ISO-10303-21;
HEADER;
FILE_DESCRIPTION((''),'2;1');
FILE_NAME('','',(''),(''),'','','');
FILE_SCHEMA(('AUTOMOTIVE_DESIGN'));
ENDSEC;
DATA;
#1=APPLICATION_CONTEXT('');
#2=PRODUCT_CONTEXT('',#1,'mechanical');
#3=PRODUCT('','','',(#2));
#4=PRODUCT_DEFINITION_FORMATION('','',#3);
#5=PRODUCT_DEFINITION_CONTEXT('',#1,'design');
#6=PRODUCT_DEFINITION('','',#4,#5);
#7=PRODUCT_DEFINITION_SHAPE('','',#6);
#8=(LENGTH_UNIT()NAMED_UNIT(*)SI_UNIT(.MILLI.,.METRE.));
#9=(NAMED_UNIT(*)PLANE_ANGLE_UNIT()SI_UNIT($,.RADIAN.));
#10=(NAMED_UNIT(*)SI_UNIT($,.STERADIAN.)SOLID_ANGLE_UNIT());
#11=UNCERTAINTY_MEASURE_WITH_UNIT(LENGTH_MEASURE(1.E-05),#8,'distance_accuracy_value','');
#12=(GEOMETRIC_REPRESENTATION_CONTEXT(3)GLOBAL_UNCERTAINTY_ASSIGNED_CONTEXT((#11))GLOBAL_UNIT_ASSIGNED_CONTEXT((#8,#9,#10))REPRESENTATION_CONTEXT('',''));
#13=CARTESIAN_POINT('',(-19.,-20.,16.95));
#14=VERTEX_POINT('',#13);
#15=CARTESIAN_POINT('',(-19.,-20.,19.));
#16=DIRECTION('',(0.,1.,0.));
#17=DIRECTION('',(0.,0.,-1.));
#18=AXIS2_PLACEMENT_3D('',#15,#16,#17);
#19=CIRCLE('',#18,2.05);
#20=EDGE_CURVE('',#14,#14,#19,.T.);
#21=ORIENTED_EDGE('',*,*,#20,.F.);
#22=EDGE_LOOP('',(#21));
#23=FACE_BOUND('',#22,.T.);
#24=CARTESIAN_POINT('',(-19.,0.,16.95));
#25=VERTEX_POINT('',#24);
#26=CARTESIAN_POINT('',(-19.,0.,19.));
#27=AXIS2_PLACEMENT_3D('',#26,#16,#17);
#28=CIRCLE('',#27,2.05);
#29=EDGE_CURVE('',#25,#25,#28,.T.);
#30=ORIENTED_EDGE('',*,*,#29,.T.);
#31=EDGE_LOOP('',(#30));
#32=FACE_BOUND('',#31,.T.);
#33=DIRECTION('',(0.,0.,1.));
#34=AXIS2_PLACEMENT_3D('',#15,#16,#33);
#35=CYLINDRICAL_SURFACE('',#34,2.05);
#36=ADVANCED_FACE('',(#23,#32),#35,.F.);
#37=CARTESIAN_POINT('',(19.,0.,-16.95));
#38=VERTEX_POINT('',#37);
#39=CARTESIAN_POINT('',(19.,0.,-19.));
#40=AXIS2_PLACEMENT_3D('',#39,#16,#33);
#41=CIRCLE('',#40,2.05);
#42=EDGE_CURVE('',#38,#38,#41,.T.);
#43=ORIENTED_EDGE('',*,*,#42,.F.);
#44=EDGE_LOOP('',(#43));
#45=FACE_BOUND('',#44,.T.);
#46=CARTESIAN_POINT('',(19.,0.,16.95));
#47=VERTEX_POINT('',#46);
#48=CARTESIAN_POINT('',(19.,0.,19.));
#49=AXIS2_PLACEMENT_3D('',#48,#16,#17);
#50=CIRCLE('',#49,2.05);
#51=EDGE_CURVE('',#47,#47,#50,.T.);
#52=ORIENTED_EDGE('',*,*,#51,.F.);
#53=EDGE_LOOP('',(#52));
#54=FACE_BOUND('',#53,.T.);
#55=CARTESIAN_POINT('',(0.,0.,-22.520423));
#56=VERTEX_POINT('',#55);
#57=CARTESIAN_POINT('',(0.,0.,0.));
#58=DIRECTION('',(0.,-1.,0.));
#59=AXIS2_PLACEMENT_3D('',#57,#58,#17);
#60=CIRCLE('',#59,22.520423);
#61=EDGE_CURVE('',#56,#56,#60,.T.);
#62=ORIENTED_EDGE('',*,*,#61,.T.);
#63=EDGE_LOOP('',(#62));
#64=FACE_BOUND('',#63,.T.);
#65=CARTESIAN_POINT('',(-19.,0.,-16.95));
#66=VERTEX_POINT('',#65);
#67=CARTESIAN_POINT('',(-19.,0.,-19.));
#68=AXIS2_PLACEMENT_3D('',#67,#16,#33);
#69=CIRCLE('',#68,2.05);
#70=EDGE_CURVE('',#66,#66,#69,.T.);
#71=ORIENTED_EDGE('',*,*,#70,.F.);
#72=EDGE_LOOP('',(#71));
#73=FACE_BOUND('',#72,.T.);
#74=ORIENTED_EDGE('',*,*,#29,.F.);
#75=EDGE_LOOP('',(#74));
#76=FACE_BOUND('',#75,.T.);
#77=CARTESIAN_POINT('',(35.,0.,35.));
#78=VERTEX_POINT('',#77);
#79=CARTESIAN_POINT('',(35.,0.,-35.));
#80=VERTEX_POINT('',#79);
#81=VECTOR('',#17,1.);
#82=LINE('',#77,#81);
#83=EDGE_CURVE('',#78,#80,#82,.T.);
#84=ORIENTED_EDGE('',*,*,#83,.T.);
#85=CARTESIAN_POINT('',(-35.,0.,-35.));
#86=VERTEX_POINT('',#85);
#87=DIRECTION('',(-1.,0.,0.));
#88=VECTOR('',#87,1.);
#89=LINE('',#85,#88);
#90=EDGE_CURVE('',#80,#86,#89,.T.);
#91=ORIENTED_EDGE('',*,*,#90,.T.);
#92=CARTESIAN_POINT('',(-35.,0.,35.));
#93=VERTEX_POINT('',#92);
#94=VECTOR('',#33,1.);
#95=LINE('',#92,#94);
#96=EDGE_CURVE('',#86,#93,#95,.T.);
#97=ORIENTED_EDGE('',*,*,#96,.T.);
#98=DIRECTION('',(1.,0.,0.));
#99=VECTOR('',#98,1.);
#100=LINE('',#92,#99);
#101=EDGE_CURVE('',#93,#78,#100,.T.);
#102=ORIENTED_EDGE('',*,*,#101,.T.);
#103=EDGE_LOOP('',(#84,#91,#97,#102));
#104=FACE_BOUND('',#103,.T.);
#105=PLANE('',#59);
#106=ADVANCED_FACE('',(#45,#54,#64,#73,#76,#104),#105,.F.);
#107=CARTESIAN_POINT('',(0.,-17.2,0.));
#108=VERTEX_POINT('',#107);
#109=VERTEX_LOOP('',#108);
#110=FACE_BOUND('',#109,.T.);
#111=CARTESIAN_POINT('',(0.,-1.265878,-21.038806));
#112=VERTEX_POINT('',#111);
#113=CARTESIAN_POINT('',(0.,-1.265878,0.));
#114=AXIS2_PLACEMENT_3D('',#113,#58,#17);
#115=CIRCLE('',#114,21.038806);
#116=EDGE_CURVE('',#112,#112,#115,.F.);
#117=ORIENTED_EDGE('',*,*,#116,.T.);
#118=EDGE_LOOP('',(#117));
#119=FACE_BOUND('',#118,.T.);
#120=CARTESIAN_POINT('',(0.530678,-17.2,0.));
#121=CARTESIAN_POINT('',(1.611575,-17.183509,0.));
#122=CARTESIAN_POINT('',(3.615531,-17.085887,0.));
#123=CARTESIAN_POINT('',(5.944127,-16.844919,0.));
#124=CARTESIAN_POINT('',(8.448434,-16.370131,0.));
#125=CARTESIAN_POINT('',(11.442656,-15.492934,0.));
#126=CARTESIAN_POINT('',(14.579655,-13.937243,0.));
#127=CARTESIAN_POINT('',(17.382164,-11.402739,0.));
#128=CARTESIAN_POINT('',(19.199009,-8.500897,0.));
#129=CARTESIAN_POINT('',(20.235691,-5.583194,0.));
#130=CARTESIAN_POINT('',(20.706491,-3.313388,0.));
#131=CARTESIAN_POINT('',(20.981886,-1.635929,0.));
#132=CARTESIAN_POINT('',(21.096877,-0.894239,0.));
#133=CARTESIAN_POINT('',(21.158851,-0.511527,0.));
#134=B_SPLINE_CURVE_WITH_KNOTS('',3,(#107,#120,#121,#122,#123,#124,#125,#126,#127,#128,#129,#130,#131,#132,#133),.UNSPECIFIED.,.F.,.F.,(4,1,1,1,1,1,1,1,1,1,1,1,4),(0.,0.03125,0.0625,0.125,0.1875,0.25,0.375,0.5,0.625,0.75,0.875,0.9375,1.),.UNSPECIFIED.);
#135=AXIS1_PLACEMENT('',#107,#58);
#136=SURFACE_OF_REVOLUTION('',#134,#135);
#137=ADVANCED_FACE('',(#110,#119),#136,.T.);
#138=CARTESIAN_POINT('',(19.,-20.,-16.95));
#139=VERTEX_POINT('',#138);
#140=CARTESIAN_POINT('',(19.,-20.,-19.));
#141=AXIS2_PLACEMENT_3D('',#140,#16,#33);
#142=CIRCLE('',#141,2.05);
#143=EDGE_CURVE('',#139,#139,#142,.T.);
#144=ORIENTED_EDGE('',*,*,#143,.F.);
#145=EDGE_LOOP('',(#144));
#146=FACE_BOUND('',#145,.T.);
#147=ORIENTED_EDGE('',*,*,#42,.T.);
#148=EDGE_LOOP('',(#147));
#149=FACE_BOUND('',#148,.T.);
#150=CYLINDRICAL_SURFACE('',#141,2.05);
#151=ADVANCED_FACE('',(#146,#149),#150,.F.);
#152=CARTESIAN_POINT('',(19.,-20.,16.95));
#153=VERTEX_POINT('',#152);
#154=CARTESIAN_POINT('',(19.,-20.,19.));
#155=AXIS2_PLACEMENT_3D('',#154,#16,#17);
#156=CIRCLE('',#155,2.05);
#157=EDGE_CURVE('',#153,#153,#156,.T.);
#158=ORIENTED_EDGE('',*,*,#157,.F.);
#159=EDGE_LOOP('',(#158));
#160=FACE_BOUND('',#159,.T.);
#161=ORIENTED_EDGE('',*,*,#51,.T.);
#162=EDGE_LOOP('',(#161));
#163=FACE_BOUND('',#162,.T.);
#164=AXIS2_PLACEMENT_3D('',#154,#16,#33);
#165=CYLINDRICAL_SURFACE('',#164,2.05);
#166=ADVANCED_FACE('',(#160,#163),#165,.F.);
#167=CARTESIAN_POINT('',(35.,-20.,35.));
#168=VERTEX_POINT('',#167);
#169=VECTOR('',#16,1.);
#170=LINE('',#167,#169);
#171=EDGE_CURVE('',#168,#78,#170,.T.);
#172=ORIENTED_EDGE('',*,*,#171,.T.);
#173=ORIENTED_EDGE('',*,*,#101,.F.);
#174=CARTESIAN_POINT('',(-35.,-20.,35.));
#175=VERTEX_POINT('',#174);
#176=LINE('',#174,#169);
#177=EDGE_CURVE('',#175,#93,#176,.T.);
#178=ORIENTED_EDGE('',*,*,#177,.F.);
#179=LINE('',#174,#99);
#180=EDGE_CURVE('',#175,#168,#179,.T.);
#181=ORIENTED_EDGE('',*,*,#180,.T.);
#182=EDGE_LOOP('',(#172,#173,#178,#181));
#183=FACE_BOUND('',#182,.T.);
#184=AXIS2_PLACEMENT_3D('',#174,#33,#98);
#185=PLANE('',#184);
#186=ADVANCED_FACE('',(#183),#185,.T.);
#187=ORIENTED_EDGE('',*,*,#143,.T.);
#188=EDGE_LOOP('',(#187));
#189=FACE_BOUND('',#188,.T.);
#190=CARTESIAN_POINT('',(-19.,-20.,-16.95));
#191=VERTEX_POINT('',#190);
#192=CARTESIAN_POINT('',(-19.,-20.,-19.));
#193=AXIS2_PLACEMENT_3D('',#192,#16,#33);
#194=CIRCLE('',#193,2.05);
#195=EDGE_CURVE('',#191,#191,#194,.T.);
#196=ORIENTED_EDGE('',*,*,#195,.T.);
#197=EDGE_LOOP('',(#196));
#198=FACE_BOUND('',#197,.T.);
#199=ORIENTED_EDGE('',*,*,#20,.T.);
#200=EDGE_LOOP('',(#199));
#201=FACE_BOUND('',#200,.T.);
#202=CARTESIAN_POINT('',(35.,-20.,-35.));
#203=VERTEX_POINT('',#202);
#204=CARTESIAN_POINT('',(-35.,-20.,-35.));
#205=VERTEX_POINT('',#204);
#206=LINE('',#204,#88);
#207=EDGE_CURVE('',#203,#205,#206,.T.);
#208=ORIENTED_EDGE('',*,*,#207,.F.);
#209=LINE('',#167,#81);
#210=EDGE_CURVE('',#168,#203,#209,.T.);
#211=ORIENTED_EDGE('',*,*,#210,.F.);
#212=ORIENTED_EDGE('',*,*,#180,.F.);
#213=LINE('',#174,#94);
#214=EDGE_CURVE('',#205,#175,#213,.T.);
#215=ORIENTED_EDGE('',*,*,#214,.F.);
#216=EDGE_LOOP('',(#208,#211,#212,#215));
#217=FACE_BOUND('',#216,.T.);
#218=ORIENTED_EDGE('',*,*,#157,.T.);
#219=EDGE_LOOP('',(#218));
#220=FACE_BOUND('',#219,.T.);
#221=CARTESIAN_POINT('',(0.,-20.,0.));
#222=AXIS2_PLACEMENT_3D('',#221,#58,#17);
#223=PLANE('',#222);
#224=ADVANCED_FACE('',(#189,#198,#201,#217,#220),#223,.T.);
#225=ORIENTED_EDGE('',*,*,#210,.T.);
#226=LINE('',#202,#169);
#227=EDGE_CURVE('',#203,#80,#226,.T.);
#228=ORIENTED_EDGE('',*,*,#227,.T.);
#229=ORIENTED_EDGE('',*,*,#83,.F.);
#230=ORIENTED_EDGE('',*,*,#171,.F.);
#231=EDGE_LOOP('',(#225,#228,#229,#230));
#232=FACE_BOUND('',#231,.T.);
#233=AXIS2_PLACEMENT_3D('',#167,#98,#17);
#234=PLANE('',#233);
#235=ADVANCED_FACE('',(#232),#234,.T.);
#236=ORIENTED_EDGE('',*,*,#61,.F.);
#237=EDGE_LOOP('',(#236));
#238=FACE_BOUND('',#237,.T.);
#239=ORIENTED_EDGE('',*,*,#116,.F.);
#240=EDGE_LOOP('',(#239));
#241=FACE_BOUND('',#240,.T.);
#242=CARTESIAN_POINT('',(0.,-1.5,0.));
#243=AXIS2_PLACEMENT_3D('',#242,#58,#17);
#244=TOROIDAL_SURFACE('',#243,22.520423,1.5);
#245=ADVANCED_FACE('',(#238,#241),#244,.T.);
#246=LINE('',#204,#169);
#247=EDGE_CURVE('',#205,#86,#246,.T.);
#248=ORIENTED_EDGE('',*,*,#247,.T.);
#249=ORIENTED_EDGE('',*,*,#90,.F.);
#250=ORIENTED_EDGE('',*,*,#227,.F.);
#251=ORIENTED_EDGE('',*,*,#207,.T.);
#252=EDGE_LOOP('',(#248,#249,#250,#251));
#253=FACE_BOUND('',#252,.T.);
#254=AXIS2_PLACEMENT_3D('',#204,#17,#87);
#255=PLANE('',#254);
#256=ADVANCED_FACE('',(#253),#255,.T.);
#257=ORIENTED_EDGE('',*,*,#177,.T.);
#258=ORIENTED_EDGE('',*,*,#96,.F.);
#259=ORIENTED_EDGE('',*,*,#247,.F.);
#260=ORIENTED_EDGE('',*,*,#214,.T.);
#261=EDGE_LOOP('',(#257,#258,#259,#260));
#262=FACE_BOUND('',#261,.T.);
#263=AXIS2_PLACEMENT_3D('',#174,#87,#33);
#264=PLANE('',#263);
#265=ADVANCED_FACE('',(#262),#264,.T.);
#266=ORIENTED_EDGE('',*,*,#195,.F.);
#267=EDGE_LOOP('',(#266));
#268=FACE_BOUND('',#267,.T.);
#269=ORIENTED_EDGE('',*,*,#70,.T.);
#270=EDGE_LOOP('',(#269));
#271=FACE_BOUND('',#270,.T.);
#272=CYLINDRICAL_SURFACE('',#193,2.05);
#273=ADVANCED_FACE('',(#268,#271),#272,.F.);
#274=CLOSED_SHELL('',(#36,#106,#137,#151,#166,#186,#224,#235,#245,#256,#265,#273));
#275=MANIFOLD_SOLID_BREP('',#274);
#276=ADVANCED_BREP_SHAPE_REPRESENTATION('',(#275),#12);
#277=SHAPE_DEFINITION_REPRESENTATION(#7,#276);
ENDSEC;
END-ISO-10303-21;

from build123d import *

# Parameters (mm, degrees)
SKETCH2_W           = 70
SKETCH2_H           = 70
BOSS_EXTRUDE1_DEPTH = 20
FILLET1_R           = 1.5
SKETCH3_R           = 2.05
CUT_EXTRUDE1_DEPTH  = 54.385391391


with BuildPart() as part:
    # Sketch2 → Boss-Extrude1 (new body)
    with BuildSketch(Plane(origin=(0, 0, 0), x_dir=(1, 0, 0), z_dir=(0, 1, 0))):
        Rectangle(SKETCH2_W, SKETCH2_H)
    extrude(amount=-BOSS_EXTRUDE1_DEPTH)

    # Sketch1 → Cut-Revolve1 (revolve, cut)
    with BuildSketch(Plane.XY, mode=Mode.PRIVATE) as cut_revolve1_sk:
        with BuildLine():
            Line((0, -17.2), (0, 0))
            Line((0, 0), (21.241684944, 0))
            Line((21.241684944, 0), (21.158851084, -0.511526958))
            add(Edge.make_bspline(
                [(0, -17.2), (0.530678283, -17.2), (1.61157482, -17.183508716), (3.615531125, -17.08588663), (5.944127269, -16.844919371), (8.44843367, -16.370131279), (11.442656399, -15.492934033), (14.579654851, -13.93724298), (17.382164488, -11.402739011), (19.199009229, -8.500896664), (20.23569058, -5.583194157), (20.706490619, -3.313387562), (20.981886079, -1.635929169), (21.096876841, -0.894238762), (21.158851084, -0.511526958)],
                knots=[0, 0, 0, 0, 0.03125, 0.0625, 0.125, 0.1875, 0.25, 0.375, 0.5, 0.625, 0.75, 0.875, 0.9375, 1, 1, 1, 1], degree=3))
        make_face()
    revolve(cut_revolve1_sk.sketch.rotate(Axis((0, -17.2, 0), (0, 1, 0)), 90), axis=Axis((0, -17.2, 0), (0, 1, 0)), mode=Mode.SUBTRACT)

    # Fillet1
    fillet1_edges = [part.edges().sort_by_distance(p)[0] for p in [
        (0, 0, 21.241684944),
    ]]
    fillet(fillet1_edges, radius=FILLET1_R)

    # Sketch3 → Cut-Extrude1 (cut, through all)
    with BuildSketch(Plane(origin=(0, 0, 0), x_dir=(1, 0, 0), z_dir=(0, 1, 0))):
        with Locations(Location((-19, 19, 0), (0, 0, 270))):
            Circle(SKETCH3_R)
        with Locations(Location((19, -19, 0), (0, 0, 90))):
            Circle(SKETCH3_R)
        with Locations(Location((-19, -19, 0), (0, 0, 90))):
            Circle(SKETCH3_R)
        with Locations(Location((19, 19, 0), (0, 0, 270))):
            Circle(SKETCH3_R)
    extrude(amount=-CUT_EXTRUDE1_DEPTH, mode=Mode.SUBTRACT)


solid = part.part
